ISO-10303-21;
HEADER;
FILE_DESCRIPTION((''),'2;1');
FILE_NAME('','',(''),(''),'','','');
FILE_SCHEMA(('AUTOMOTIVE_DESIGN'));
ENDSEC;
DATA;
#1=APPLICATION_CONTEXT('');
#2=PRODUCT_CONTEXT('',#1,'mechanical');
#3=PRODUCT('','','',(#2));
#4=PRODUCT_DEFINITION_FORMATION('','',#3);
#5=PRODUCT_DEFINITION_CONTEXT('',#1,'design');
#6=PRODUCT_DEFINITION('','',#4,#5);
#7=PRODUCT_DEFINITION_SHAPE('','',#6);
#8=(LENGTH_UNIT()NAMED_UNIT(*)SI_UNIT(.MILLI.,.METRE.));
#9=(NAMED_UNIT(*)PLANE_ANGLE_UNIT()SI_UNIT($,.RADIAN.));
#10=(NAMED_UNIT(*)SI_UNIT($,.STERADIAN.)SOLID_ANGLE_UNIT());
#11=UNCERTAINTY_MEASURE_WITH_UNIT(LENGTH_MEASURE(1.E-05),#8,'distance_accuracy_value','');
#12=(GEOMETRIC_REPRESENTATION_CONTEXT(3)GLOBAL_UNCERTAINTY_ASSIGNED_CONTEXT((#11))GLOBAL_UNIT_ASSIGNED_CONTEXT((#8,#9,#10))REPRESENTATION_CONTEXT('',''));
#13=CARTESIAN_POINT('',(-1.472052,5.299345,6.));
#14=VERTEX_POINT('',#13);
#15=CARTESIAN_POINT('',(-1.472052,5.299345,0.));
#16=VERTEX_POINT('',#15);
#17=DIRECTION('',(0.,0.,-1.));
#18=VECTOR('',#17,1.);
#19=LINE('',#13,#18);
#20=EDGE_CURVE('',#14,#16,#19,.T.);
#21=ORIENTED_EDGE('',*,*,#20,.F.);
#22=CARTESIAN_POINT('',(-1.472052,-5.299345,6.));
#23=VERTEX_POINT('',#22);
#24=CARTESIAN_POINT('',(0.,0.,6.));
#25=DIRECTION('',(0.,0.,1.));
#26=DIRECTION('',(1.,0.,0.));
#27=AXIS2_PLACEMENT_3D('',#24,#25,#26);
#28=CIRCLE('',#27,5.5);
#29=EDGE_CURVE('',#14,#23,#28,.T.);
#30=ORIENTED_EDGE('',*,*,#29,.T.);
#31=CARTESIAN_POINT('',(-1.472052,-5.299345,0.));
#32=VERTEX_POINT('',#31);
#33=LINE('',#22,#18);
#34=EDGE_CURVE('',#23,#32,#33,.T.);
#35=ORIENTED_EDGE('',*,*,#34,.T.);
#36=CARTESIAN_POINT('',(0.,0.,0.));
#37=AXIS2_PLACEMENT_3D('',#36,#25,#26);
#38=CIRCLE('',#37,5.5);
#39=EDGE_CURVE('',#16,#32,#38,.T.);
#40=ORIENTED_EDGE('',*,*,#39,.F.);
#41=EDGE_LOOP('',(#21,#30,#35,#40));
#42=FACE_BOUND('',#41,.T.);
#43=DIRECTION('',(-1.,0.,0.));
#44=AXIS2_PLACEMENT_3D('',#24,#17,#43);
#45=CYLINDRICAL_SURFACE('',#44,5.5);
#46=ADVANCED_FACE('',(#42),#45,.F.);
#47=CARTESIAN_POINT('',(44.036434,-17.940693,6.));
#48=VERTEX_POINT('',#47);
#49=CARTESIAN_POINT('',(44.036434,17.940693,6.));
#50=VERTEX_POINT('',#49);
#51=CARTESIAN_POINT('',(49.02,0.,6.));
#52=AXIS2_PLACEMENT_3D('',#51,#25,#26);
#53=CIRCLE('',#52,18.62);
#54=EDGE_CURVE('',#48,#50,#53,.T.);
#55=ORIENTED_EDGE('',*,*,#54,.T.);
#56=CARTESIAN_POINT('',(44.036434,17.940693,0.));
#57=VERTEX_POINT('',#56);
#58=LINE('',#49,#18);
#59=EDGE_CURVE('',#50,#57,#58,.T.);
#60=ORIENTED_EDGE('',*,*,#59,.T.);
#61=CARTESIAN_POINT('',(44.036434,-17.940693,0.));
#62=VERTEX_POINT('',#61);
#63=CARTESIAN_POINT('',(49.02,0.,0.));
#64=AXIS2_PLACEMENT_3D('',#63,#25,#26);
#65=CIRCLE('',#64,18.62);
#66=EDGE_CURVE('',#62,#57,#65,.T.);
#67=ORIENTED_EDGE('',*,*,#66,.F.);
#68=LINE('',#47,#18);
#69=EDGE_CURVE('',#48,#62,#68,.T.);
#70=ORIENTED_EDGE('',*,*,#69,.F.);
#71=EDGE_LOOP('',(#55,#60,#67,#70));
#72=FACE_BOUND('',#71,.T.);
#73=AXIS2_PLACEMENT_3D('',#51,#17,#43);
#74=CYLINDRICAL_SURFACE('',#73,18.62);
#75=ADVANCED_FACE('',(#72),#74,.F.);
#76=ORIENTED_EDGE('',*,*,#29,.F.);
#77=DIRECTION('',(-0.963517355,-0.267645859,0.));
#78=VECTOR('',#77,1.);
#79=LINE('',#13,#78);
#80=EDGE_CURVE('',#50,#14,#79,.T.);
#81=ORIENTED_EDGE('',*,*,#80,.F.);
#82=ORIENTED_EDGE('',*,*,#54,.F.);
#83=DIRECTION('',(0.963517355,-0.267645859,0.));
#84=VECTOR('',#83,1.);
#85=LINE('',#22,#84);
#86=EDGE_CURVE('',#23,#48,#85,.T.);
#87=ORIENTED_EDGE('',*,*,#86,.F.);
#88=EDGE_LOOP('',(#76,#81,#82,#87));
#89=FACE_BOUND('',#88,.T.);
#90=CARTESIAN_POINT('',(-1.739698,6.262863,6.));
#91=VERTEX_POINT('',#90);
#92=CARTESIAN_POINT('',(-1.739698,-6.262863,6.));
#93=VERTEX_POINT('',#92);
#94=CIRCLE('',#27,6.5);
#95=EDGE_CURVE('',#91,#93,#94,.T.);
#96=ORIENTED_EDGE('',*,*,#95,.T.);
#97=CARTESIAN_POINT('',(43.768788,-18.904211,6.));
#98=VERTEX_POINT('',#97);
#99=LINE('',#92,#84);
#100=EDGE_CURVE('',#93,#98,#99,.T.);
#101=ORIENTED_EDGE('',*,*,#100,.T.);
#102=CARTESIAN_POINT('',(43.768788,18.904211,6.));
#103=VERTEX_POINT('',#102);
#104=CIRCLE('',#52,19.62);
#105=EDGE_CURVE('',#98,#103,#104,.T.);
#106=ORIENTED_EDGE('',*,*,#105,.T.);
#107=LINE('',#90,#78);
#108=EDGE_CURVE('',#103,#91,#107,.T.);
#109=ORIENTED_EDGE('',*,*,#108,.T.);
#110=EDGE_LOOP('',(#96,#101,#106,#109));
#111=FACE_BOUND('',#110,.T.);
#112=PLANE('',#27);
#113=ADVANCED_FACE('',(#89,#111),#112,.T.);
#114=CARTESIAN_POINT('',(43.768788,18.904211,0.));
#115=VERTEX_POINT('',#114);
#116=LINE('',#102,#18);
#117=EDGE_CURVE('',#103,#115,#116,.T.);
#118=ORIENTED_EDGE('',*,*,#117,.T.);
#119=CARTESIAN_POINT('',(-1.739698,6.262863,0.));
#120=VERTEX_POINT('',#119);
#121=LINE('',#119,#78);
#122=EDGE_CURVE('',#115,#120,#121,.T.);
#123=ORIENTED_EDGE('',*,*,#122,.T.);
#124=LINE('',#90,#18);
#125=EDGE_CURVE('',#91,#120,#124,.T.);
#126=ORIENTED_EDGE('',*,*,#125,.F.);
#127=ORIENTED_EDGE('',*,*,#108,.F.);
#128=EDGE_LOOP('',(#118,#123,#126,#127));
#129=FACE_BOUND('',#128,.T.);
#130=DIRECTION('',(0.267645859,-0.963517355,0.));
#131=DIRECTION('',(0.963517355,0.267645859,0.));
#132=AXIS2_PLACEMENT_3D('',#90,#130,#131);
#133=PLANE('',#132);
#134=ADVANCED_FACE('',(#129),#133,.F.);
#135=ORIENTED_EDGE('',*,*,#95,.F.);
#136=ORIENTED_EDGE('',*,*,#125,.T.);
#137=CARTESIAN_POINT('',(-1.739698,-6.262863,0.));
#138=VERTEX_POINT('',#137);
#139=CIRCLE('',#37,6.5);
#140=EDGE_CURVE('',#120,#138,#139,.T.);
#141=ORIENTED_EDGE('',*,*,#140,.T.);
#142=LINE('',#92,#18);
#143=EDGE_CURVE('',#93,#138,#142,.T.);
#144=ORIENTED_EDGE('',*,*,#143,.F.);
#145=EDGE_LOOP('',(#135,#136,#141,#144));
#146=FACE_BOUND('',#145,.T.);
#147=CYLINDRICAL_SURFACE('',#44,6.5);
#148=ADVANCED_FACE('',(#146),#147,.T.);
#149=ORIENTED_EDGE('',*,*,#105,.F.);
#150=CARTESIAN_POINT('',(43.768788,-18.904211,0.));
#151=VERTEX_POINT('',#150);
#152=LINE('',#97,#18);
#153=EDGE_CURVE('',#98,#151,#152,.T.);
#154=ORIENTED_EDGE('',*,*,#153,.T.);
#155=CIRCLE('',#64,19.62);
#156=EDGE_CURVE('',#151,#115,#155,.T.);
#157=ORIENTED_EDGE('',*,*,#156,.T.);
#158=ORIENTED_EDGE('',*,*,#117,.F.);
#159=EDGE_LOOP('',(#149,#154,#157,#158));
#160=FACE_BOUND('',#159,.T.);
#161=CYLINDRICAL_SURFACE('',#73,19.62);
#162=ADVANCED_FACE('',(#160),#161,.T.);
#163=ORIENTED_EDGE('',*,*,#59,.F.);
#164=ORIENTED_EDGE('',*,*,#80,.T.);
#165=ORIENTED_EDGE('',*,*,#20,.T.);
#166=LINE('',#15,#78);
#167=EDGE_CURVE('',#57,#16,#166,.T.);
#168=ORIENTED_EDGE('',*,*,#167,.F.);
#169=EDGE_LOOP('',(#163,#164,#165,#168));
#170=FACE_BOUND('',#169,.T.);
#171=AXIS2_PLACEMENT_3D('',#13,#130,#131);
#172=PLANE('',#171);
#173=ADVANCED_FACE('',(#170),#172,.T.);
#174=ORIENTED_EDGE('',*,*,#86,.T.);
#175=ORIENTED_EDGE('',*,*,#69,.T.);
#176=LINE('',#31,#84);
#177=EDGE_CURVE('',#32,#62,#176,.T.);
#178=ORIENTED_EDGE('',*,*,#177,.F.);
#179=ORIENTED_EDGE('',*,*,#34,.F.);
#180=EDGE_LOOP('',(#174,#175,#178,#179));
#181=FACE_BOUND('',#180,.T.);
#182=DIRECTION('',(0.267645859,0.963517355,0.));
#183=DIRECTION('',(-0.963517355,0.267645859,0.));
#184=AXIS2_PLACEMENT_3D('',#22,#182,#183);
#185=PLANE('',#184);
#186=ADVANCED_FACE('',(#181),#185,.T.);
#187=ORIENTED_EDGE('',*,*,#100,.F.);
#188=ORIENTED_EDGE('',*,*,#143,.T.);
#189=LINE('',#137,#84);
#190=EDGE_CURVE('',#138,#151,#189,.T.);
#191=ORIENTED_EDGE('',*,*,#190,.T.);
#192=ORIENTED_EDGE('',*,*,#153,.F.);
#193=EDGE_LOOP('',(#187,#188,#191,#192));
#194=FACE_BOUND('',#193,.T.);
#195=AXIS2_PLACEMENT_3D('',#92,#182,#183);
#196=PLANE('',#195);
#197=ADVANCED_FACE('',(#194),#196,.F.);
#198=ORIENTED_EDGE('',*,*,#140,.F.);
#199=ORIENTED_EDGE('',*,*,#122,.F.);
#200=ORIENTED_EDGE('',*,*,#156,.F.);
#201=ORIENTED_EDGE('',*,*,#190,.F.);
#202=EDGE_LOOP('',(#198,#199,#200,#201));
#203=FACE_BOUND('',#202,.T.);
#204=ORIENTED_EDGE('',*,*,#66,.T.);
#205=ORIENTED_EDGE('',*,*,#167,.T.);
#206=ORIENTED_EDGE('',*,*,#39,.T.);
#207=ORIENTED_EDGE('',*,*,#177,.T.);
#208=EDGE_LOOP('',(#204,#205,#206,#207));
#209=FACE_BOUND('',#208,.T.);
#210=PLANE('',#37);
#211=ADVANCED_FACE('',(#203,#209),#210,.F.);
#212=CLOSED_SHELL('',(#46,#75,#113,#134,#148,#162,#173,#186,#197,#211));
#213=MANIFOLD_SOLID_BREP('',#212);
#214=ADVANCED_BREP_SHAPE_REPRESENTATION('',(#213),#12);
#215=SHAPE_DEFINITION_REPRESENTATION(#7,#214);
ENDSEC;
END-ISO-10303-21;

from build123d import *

# Parameters (mm, degrees)
SALIENTE_EXTRUIR1_DEPTH = 6


with BuildPart() as part:
    # Croquis1 → Saliente-Extruir1 (new body)
    with BuildSketch(Plane.XY):
        with BuildLine():
            Line((-1.739698082, 6.26286281), (43.76878825, 18.904210514))
            ThreePointArc((43.76878825, 18.904210514), (68.64, 0), (43.76878825, -18.904210514))
            Line((43.76878825, -18.904210514), (-1.739698082, -6.26286281))
            ThreePointArc((-1.739698082, -6.26286281), (-6.5, 0), (-1.739698082, 6.26286281))
        make_face()
        with BuildLine():
            Line((-1.472052224, 5.299345455), (44.036434109, 17.940693158))
            ThreePointArc((44.036434109, 17.940693158), (67.64, 0), (44.036434109, -17.940693158))
            Line((44.036434109, -17.940693158), (-1.472052224, -5.299345455))
            ThreePointArc((-1.472052224, -5.299345455), (-5.5, 0), (-1.472052224, 5.299345455))
        make_face(mode=Mode.SUBTRACT)
    extrude(amount=SALIENTE_EXTRUIR1_DEPTH)


solid = part.part
